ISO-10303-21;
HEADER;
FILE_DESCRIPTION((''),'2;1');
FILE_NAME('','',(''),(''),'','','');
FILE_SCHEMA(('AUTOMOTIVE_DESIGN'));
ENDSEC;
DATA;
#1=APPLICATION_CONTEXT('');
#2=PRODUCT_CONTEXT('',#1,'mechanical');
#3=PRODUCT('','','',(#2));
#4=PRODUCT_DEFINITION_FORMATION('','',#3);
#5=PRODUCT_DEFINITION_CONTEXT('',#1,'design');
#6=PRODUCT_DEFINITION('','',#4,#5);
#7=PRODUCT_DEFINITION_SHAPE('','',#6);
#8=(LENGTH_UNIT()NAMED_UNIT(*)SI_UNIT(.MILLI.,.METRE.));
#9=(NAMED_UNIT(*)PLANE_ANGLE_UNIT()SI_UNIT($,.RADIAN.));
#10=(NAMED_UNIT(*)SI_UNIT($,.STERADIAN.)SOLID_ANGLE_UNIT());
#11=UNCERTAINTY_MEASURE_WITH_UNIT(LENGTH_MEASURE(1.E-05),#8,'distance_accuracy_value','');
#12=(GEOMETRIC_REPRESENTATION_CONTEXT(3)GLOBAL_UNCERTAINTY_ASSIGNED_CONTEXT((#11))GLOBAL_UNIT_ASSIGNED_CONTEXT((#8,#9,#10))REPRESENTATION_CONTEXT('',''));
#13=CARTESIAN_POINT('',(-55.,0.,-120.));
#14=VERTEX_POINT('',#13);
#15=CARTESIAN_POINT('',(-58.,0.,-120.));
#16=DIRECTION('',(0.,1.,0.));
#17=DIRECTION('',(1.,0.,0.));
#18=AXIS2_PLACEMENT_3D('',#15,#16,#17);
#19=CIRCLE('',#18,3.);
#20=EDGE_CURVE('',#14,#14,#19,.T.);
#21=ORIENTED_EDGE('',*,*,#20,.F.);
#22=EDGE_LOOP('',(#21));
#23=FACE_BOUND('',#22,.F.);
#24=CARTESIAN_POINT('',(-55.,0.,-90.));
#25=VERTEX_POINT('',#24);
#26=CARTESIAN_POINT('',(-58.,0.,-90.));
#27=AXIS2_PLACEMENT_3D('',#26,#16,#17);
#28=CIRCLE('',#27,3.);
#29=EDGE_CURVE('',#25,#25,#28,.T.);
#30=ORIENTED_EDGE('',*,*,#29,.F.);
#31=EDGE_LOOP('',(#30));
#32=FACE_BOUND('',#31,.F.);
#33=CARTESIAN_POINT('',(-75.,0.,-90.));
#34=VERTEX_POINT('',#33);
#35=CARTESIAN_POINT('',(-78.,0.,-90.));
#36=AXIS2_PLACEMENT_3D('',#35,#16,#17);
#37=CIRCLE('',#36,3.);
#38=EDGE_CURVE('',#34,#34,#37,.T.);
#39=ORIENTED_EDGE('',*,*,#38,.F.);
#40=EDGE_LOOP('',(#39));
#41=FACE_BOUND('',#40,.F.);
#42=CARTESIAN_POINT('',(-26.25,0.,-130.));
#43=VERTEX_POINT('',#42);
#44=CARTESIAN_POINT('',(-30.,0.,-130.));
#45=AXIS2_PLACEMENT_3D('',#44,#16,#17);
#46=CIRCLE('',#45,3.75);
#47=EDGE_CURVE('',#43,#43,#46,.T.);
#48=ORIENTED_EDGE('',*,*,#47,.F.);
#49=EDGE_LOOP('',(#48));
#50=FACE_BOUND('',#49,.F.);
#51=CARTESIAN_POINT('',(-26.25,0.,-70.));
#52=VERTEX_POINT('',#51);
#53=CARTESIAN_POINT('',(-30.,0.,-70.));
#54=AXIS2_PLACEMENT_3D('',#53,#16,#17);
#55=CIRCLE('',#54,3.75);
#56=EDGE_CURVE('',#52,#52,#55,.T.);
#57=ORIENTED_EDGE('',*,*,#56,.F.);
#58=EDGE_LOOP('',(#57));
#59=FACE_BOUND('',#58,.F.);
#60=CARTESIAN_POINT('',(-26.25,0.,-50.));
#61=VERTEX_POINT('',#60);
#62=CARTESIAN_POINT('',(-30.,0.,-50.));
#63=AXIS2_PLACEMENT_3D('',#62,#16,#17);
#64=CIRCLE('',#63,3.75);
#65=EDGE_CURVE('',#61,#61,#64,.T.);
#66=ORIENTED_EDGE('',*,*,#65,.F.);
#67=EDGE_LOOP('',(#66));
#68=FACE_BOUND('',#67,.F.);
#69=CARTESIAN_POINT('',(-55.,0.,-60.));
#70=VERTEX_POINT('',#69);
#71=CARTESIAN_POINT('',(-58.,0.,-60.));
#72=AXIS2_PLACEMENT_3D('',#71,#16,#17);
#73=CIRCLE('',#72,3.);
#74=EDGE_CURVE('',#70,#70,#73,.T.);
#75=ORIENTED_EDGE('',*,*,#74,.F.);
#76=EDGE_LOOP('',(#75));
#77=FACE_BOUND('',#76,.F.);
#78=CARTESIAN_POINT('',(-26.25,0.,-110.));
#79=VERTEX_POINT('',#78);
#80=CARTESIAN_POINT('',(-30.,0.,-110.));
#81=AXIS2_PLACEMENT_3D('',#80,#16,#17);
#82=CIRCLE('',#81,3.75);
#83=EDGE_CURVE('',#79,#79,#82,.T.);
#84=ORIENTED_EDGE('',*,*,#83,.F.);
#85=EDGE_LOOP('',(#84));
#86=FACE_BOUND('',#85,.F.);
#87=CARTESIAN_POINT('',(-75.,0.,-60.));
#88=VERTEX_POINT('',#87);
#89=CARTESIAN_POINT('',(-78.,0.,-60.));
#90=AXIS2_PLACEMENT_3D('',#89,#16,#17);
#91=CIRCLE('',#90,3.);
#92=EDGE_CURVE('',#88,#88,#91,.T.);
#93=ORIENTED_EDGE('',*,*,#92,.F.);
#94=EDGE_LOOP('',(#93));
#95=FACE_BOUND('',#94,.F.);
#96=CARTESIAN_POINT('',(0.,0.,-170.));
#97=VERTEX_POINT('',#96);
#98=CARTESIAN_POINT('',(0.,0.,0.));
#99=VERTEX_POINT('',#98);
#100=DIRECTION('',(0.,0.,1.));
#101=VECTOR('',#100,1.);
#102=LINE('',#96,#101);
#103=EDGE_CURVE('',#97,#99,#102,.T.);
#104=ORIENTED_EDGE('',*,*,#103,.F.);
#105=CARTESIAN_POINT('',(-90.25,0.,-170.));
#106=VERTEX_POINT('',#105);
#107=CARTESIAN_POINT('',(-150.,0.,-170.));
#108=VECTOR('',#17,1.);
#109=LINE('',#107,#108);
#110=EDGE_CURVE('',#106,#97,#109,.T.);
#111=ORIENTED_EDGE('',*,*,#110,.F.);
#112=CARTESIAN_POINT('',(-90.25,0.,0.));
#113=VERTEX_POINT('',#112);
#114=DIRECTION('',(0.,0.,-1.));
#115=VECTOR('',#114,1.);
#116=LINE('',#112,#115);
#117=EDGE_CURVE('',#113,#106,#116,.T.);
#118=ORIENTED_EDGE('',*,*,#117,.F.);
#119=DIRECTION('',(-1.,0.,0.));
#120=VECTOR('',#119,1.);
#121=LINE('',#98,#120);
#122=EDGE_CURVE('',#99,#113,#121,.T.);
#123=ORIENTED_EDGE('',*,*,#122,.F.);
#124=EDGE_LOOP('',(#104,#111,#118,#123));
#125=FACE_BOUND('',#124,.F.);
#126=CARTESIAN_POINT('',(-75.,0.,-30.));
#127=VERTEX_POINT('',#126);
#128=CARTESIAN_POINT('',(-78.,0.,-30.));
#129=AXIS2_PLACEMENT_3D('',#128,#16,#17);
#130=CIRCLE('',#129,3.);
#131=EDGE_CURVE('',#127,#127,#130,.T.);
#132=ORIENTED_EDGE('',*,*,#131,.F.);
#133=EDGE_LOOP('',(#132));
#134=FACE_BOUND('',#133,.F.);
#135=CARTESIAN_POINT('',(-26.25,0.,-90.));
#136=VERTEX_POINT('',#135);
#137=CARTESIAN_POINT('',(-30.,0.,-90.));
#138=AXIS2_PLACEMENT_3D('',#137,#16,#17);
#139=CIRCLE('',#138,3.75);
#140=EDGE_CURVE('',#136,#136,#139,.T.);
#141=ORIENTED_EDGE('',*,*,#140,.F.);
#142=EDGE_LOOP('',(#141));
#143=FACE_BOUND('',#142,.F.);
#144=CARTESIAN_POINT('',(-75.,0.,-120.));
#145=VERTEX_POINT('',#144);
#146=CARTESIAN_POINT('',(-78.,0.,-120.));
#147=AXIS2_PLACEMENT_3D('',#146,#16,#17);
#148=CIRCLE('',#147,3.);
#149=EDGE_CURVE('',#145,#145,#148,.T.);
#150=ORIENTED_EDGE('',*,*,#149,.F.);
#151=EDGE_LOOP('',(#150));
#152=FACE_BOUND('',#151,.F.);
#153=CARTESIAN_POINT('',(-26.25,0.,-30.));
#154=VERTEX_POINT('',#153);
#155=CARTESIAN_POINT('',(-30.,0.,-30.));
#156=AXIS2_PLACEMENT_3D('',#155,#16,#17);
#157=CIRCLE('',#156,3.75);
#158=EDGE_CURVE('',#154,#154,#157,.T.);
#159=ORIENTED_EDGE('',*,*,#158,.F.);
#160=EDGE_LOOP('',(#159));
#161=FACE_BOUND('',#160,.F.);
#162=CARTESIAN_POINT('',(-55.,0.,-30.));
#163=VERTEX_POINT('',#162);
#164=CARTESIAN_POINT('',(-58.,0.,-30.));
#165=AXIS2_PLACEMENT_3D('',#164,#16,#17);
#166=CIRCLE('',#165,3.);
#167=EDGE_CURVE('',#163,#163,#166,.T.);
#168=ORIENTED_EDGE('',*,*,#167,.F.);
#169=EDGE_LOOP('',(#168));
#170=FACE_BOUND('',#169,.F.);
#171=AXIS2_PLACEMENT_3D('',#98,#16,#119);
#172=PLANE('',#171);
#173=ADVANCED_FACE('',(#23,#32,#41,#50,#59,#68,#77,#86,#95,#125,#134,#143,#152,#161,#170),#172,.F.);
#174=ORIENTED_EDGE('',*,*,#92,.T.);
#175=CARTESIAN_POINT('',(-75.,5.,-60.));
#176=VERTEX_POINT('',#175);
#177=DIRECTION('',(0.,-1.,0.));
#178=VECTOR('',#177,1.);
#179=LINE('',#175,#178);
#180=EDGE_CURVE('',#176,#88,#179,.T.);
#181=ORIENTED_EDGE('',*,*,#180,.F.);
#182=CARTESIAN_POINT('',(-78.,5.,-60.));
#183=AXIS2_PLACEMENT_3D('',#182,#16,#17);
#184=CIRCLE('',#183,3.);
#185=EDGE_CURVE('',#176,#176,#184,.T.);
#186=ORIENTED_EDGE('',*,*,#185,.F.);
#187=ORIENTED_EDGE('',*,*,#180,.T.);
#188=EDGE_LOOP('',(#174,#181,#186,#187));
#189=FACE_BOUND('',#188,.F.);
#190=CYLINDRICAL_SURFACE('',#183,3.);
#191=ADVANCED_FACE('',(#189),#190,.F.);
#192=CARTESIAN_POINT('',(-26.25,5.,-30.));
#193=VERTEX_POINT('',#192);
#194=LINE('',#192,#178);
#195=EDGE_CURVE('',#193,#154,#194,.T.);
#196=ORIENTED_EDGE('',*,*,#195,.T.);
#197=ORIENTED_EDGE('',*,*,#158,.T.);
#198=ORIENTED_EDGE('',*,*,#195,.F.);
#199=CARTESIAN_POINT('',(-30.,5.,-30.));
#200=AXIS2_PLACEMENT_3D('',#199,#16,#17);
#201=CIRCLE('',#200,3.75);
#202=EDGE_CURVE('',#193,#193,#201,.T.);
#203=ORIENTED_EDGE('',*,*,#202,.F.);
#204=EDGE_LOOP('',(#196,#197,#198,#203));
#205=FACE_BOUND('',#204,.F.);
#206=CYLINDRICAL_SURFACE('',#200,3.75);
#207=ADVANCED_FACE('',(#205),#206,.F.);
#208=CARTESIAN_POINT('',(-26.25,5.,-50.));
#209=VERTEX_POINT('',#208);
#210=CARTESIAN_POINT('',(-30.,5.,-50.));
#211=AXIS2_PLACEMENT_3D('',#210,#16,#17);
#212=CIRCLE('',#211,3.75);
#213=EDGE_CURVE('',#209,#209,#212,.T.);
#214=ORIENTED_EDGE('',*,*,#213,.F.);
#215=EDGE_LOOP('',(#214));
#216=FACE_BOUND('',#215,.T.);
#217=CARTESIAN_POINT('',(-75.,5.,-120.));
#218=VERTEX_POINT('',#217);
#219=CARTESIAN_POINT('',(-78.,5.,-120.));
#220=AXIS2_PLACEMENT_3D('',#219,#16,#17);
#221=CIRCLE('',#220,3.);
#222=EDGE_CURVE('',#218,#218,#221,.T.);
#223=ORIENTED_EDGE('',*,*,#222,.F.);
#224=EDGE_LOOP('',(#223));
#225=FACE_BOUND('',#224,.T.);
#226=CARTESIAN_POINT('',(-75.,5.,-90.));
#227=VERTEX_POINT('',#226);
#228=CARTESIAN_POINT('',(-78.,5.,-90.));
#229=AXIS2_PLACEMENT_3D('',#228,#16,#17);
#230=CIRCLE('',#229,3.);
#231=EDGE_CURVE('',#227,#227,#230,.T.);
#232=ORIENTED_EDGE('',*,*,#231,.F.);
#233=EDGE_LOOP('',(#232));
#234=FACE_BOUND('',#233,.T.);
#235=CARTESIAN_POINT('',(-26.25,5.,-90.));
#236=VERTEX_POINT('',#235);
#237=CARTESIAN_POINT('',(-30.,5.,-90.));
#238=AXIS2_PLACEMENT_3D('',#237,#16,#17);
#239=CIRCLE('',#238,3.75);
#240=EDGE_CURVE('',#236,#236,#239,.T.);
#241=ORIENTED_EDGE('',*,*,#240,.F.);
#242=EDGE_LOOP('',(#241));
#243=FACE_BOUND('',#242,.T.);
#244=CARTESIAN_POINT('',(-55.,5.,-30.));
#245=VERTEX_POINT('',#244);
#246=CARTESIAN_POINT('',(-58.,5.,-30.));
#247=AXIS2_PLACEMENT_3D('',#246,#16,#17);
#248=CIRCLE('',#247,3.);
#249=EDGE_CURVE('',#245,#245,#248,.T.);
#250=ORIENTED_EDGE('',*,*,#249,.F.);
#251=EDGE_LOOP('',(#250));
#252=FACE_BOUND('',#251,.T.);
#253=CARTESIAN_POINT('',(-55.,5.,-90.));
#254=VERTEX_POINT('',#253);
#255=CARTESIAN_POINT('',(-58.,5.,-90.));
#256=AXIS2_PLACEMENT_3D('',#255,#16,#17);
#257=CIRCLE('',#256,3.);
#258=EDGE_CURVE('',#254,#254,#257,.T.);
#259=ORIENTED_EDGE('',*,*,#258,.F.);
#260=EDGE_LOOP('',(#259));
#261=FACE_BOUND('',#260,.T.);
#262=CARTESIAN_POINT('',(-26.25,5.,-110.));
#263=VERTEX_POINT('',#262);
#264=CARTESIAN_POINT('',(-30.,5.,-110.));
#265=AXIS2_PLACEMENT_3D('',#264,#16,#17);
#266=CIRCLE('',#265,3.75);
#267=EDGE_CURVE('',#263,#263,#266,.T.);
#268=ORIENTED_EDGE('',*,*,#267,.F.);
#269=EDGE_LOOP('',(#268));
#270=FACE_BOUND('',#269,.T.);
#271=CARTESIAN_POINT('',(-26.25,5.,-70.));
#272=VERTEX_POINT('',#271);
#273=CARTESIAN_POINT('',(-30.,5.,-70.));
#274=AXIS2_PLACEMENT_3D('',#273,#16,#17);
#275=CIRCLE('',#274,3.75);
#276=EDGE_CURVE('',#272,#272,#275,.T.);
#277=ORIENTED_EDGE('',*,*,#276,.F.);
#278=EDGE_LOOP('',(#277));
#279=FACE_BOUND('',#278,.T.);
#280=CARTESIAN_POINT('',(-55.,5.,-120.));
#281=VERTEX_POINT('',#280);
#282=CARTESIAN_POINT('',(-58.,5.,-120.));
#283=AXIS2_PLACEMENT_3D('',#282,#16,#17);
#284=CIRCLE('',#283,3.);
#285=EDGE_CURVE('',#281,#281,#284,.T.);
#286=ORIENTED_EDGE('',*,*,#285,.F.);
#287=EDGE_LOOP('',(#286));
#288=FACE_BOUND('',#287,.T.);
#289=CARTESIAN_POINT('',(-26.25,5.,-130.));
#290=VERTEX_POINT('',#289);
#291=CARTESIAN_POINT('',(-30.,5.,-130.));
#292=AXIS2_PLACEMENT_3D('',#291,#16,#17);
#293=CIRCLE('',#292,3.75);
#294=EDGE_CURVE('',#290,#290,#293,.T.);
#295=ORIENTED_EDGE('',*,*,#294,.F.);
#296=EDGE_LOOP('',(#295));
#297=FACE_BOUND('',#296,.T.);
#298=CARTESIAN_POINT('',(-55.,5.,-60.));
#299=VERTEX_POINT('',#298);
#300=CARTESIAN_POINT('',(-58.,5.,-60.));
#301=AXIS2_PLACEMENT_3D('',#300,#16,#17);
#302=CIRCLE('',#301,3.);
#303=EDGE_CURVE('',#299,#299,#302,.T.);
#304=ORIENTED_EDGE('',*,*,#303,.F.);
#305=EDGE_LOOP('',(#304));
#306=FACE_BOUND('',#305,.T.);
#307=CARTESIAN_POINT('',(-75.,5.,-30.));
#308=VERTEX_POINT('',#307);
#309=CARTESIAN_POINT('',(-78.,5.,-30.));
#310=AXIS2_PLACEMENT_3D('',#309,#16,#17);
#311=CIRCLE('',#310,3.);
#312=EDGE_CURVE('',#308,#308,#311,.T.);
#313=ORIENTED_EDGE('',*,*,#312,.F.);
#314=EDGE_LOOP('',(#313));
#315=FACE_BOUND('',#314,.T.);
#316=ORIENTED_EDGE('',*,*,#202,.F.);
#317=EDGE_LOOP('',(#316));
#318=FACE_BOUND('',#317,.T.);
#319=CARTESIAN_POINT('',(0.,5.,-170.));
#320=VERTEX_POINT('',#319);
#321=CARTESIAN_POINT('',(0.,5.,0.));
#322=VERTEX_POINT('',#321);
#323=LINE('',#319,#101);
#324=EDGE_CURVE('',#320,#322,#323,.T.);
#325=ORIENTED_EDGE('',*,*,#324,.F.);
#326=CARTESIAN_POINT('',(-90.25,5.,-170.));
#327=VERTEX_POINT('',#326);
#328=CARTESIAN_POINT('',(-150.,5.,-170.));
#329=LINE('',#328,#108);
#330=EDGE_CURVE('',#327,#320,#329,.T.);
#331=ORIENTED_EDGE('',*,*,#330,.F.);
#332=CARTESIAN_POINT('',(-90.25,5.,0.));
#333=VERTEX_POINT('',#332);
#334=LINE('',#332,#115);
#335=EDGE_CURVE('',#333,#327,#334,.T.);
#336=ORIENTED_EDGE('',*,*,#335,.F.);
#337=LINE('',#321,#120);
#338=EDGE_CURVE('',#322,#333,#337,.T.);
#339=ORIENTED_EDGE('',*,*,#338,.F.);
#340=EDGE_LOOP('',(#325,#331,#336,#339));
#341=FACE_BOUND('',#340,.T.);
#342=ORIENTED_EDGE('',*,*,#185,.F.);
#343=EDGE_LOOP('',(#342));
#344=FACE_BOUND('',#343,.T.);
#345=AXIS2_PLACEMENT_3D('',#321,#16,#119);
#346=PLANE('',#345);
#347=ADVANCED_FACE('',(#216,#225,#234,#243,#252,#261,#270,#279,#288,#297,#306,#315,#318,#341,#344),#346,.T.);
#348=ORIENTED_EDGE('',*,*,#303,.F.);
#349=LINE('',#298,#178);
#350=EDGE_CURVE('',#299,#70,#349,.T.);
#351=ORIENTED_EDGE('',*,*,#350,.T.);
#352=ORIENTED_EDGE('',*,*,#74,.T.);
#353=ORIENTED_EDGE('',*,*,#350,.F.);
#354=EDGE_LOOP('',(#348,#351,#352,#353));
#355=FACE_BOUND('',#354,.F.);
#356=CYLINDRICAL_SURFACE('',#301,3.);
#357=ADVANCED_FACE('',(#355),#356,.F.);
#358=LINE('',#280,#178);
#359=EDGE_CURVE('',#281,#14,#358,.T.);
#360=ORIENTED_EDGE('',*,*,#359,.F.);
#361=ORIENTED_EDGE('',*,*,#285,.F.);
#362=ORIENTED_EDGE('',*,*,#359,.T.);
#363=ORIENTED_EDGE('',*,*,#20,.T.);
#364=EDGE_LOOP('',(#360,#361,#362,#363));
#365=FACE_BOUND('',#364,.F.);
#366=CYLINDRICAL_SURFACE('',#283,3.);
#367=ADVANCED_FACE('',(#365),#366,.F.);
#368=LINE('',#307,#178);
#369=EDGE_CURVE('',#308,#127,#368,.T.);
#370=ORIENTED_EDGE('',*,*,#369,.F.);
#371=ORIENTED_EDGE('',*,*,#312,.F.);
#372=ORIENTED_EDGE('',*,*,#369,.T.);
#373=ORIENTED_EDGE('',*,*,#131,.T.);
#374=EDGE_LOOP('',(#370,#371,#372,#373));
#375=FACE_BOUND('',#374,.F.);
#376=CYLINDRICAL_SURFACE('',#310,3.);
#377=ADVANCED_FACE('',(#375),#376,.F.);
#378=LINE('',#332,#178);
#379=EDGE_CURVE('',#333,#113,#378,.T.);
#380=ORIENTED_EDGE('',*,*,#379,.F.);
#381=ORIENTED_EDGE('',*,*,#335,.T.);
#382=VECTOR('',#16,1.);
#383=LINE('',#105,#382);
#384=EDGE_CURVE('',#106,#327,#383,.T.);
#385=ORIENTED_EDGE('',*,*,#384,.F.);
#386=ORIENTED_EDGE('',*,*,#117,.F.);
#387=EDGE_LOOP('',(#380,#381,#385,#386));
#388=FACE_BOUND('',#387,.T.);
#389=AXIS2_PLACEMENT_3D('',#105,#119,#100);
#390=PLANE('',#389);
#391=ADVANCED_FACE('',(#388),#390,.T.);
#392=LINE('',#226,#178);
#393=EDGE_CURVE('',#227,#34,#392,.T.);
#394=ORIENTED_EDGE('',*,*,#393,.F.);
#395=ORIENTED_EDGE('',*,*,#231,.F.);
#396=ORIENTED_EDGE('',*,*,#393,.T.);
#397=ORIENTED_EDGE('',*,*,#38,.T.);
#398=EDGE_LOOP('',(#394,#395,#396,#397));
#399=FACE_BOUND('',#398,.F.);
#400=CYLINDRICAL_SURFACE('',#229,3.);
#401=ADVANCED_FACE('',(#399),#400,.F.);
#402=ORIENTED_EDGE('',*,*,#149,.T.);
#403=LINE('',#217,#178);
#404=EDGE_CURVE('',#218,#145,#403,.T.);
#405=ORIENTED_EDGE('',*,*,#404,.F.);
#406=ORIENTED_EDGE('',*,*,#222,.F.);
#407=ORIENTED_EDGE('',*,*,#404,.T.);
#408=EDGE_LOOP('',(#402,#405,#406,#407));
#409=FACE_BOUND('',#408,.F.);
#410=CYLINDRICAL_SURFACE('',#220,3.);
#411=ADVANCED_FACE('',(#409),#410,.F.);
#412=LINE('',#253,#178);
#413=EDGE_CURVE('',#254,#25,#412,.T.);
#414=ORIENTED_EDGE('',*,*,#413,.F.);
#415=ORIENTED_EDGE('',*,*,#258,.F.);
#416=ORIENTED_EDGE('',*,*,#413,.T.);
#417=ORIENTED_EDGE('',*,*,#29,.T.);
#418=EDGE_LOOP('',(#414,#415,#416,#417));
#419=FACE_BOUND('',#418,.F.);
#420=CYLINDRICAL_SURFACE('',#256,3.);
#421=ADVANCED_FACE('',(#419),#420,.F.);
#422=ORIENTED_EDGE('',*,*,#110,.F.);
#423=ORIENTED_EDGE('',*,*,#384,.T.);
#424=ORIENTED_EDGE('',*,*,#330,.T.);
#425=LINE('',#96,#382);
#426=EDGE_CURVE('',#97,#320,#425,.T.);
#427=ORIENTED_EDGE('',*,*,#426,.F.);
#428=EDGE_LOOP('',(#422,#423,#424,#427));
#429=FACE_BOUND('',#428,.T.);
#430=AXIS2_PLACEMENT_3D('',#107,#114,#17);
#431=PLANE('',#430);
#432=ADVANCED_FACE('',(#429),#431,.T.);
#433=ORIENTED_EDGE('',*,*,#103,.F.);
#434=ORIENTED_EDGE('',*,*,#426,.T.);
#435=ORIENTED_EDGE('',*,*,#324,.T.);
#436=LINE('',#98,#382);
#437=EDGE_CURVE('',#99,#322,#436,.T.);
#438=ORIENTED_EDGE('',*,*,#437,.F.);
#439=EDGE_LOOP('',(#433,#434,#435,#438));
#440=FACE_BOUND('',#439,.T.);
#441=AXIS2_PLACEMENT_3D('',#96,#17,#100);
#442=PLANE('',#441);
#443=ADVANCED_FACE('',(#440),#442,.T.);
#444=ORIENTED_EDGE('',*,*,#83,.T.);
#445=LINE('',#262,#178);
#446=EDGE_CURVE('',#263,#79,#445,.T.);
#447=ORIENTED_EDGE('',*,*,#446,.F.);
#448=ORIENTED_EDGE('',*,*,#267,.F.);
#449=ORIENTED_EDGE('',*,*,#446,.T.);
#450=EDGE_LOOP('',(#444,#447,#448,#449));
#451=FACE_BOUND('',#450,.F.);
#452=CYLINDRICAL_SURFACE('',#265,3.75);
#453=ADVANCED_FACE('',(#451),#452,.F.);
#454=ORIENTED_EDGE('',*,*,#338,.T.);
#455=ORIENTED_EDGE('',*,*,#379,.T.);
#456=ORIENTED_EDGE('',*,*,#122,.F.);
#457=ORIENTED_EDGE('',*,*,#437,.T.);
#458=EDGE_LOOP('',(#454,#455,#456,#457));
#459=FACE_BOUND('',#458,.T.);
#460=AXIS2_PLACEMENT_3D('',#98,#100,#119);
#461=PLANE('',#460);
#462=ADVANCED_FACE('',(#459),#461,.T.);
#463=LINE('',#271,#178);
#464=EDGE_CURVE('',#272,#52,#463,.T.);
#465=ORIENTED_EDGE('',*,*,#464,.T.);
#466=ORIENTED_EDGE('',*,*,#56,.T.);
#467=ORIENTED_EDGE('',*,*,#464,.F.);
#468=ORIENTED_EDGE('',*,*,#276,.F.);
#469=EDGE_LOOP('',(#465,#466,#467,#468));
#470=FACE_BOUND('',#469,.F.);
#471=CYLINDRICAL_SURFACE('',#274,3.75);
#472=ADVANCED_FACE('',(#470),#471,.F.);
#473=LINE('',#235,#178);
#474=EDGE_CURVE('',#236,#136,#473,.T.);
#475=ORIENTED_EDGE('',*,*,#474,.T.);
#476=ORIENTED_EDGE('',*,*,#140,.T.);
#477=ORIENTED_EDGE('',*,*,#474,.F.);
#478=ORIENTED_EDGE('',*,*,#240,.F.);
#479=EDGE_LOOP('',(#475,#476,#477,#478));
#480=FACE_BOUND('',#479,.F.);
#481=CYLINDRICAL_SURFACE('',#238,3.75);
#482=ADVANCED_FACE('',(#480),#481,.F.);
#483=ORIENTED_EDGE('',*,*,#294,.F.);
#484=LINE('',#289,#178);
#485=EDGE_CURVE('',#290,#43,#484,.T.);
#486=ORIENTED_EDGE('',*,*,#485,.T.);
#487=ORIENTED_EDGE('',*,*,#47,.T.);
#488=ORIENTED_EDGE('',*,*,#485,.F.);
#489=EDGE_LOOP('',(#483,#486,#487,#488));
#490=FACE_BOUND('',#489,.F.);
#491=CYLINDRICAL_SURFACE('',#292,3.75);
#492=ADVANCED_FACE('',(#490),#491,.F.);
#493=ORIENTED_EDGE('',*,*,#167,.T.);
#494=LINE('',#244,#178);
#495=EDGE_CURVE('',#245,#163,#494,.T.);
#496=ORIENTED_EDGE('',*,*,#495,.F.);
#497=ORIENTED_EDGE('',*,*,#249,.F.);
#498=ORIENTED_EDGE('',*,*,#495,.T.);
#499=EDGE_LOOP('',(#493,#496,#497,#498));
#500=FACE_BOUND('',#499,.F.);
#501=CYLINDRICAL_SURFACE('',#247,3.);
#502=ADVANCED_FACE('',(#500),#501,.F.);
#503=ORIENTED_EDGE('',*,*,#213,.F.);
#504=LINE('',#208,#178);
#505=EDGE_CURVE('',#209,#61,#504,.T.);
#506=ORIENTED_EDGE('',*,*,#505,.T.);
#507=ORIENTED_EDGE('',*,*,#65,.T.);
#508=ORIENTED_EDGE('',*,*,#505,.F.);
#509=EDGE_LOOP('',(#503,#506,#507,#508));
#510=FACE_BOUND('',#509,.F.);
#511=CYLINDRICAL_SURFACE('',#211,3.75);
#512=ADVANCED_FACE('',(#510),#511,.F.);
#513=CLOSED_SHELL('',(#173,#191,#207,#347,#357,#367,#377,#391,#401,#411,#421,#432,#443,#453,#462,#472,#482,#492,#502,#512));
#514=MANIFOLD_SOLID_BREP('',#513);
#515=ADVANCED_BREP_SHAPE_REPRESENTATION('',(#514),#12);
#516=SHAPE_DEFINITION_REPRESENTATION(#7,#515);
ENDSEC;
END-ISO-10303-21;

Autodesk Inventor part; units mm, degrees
ref_plane "YZ Plane" through (0, 0, 0) normal (1, 0, 0) x (0, 1, 0)
ref_plane "XZ Plane" through (0, 0, 0) normal (0, 1, 0) x (-1, 0, 0)
ref_plane "XY Plane" through (0, 0, 0) normal (0, 0, 1) x (1, 0, 0)
sketch "Sketch1" plane through (0, 0, 0) normal (0, 1, 0) x (-1, 0, 0)
  line L0 (0, 0) -> (150, 0)
  line L1 (150, 0) -> (150, -170)
  line L2 (150, -170) -> (0, -170)
  line L3 (0, -170) -> (0, 0)
  dimension "d0" = 150
  dimension "d1" = 170
extrude "Extrusion1" add sketch "Sketch1" along normal blind 5
sketch "Sketch2" plane through (0, 5, 0) normal (0, 1, 0) x (1, 0, 0)
  circle A0 centre (-30, 30) radius 3.75
  point P0 (0, 0)
  dimension "d4" = 7.5
extrude "Extrusion2" cut sketch "Sketch2" against normal blind 5
pattern_linear "Rectangular Pattern1" count 6 spacing 20 along (0, 0, -1) of "Extrusion2"
sketch "Sketch3" plane through (0, 5, 0) normal (0, 1, 0) x (1, 0, 0)
  circle A0 centre (-58, 30) radius 3
  point P0 (0, 0)
  dimension "d10" = 6
extrude "Extrusion3" cut sketch "Sketch3" against normal blind 5
pattern_linear "Rectangular Pattern2" count 2 spacing 20 along (-1, 0, 0) count 4 spacing 30 along (0, 0, -1) of "Extrusion3"
sketch "Sketch4" plane through (-150, 0, -170) normal (-1, 0, 0) x (0, 0, 1)
  line L0 (170, 5) -> (0, 5) projected
  line L1 (170, 0) -> (0, 0)
  line L2 (0, 0) -> (0, 5)
  line L3 (0, 5) -> (170, 5)
  line L4 (170, 5) -> (170, 0)
extrude "Extrusion4" cut sketch "Sketch4" against normal blind 59.75
properties part number "Switchboard"
